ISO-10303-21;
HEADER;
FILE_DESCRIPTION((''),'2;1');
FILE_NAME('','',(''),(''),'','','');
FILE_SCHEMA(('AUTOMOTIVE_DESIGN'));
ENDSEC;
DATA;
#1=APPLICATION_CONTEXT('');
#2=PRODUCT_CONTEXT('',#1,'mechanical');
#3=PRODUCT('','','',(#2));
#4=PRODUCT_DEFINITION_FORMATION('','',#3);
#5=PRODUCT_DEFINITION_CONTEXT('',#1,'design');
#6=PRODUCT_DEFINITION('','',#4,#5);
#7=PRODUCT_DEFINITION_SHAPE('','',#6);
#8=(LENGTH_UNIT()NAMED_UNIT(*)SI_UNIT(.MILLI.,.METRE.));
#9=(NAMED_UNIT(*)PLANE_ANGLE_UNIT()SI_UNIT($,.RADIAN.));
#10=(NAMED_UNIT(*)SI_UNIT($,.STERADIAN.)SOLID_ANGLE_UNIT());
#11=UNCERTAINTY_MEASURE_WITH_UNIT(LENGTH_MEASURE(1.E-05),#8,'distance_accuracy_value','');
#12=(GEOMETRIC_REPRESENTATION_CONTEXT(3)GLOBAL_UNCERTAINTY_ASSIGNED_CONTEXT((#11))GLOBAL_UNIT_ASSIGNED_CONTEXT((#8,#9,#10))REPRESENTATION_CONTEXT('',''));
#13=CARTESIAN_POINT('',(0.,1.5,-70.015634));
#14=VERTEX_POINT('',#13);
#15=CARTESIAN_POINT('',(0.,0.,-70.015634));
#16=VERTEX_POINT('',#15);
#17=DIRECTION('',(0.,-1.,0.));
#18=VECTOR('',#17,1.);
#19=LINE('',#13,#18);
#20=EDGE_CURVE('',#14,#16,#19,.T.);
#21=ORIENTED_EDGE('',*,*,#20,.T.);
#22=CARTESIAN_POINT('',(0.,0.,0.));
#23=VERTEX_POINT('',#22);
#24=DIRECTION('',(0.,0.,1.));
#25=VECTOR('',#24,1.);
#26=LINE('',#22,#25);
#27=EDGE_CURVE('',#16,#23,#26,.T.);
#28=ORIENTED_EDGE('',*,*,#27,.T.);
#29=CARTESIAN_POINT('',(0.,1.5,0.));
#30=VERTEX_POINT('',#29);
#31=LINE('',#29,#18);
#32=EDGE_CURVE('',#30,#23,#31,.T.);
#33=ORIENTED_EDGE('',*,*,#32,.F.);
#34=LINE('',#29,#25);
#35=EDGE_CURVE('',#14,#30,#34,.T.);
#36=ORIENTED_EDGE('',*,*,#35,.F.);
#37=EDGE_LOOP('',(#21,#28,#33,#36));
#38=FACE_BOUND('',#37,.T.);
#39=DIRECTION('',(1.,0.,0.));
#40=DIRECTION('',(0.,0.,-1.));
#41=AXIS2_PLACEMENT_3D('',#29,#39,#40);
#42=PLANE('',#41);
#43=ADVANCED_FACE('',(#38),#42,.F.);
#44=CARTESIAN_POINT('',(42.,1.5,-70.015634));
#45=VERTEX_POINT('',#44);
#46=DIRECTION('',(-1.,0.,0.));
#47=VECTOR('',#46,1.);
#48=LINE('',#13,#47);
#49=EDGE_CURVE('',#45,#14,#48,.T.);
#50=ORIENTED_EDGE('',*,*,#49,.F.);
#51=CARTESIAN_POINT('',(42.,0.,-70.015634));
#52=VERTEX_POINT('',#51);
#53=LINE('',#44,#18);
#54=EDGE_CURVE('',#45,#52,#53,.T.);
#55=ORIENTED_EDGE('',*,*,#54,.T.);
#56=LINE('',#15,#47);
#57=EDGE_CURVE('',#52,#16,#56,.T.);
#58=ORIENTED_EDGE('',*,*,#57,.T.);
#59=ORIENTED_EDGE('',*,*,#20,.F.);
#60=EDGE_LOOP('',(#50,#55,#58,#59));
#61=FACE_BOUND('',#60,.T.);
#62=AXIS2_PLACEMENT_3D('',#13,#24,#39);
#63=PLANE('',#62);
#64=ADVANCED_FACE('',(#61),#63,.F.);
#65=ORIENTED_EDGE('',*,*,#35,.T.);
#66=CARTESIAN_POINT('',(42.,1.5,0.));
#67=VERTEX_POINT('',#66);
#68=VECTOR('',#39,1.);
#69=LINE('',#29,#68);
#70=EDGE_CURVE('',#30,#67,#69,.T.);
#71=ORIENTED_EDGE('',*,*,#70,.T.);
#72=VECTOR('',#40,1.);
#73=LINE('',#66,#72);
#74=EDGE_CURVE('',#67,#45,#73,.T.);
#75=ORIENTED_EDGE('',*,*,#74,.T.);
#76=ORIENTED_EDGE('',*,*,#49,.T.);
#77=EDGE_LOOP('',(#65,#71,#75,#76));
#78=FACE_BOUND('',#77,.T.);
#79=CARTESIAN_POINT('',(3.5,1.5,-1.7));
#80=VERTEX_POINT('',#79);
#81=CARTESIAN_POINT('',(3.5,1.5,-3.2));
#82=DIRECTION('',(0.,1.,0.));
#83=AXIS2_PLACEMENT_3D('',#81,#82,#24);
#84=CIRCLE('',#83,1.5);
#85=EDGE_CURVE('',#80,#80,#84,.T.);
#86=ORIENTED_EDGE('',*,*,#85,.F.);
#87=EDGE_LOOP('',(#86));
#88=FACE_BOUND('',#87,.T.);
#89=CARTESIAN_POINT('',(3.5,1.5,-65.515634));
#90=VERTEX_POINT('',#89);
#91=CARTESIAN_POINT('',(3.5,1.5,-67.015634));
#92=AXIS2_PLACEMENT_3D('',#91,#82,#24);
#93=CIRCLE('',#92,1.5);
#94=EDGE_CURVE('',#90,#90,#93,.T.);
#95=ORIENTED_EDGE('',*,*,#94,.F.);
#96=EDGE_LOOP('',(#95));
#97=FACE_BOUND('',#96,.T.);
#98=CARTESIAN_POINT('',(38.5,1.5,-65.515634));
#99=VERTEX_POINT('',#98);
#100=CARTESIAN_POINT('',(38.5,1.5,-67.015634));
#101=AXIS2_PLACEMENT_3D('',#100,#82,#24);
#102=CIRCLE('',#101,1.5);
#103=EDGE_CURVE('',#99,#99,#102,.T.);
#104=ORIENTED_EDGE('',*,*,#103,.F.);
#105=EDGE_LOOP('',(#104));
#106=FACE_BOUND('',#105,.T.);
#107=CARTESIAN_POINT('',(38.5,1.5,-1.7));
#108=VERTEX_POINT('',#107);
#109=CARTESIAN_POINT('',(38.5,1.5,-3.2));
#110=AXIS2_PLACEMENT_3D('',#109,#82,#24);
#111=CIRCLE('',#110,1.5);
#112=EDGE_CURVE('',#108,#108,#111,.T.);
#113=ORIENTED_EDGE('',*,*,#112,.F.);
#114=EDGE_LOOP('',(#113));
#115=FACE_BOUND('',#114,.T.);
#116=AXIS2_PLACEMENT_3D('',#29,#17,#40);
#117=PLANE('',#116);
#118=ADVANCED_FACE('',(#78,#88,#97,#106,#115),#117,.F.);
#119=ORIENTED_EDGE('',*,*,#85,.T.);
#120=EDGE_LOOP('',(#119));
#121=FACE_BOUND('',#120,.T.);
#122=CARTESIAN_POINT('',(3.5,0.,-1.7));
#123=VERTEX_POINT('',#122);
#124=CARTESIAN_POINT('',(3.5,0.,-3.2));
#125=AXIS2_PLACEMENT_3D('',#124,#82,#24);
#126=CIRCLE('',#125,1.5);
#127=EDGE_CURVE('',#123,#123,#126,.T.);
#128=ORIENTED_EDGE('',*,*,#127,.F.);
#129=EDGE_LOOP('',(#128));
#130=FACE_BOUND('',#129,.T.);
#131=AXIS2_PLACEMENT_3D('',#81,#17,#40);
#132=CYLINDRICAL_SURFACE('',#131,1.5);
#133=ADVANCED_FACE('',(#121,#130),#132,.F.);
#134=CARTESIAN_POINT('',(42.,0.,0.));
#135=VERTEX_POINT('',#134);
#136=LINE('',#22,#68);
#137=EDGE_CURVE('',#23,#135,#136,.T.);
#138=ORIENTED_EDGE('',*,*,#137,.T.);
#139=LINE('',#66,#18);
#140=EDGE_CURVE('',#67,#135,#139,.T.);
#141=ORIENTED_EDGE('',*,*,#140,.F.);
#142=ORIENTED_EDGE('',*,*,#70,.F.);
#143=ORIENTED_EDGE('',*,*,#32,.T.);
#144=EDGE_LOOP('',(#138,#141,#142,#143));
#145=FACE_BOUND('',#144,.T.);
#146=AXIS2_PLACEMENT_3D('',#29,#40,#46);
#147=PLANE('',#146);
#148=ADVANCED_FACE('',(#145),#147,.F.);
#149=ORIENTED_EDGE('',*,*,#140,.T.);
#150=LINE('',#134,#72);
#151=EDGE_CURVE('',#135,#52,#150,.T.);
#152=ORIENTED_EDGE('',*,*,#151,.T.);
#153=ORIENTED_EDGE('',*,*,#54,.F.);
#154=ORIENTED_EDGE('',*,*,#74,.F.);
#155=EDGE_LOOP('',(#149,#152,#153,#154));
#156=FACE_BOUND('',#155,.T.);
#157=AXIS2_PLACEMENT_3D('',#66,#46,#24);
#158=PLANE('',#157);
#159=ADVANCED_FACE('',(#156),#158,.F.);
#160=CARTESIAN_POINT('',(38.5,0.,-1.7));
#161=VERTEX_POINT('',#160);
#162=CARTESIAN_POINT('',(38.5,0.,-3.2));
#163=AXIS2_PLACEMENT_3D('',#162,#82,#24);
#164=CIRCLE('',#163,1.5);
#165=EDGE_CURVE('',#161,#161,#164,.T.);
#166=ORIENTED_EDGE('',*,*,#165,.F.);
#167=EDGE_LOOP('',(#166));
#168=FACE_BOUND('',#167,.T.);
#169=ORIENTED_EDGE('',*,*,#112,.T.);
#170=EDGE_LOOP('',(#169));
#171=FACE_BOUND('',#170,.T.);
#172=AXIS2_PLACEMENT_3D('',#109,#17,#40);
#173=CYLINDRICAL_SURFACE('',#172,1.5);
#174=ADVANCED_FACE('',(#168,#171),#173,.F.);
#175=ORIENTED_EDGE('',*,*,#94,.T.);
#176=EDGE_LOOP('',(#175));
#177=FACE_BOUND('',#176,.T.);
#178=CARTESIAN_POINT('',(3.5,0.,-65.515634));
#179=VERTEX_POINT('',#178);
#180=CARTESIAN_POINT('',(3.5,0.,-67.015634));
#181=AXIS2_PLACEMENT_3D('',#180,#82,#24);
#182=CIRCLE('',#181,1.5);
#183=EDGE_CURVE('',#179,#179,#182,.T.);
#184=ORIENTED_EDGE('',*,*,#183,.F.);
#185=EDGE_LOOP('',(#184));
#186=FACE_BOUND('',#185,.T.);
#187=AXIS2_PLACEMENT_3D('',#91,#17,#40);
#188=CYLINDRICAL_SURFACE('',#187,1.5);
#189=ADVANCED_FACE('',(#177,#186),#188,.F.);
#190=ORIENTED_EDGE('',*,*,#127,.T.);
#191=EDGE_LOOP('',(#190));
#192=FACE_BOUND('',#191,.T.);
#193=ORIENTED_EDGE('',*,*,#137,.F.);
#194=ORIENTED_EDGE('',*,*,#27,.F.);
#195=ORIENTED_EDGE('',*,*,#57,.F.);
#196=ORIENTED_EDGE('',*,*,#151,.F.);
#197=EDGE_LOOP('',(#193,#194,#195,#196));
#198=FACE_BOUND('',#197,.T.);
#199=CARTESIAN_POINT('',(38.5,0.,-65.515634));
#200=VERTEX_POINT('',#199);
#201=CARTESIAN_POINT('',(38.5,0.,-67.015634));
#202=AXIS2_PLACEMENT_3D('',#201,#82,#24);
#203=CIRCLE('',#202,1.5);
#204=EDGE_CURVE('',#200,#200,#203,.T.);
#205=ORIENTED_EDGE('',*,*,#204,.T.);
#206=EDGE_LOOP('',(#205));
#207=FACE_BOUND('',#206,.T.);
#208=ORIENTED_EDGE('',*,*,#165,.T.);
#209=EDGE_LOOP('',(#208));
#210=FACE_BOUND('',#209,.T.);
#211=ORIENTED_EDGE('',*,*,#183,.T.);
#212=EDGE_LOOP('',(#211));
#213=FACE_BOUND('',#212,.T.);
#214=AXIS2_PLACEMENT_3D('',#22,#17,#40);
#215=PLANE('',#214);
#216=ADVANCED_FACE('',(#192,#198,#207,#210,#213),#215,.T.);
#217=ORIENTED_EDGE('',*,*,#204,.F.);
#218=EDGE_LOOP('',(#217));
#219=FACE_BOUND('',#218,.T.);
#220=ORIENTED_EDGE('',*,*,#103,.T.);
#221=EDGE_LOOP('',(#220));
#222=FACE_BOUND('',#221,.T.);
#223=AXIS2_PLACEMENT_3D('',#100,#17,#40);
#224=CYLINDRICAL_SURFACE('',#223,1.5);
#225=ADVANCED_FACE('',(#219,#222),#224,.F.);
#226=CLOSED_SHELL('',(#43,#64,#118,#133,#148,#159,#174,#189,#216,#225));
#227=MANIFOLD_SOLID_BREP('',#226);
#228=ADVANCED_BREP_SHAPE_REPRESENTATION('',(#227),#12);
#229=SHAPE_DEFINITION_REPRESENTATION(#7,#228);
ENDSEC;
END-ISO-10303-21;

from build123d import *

# Parameters (mm, degrees)
SKETCH1_W           = 42
SKETCH1_H           = 70.015633911
SKETCH1_R           = 1.5
BOSS_EXTRUDE1_DEPTH = 1.5


with BuildPart() as part:
    # Sketch1 → Boss-Extrude1 (new body)
    with BuildSketch(Plane(origin=(0, 0, 0), x_dir=(1, 0, 0), z_dir=(0, 1, 0))):
        with Locations((21, 35.007816956)):
            Rectangle(SKETCH1_W, SKETCH1_H)
        with Locations(Location((3.5, 67.015633911, 0), (0, 0, 270))):
            Circle(SKETCH1_R, mode=Mode.SUBTRACT)
        with Locations(Location((38.5, 67.015633911, 0), (0, 0, 270))):
            Circle(SKETCH1_R, mode=Mode.SUBTRACT)
        with Locations(Location((3.5, 3.2, 0), (0, 0, 270))):
            Circle(SKETCH1_R, mode=Mode.SUBTRACT)
        with Locations(Location((38.5, 3.2, 0), (0, 0, 270))):
            Circle(SKETCH1_R, mode=Mode.SUBTRACT)
    extrude(amount=BOSS_EXTRUDE1_DEPTH)


solid = part.part
